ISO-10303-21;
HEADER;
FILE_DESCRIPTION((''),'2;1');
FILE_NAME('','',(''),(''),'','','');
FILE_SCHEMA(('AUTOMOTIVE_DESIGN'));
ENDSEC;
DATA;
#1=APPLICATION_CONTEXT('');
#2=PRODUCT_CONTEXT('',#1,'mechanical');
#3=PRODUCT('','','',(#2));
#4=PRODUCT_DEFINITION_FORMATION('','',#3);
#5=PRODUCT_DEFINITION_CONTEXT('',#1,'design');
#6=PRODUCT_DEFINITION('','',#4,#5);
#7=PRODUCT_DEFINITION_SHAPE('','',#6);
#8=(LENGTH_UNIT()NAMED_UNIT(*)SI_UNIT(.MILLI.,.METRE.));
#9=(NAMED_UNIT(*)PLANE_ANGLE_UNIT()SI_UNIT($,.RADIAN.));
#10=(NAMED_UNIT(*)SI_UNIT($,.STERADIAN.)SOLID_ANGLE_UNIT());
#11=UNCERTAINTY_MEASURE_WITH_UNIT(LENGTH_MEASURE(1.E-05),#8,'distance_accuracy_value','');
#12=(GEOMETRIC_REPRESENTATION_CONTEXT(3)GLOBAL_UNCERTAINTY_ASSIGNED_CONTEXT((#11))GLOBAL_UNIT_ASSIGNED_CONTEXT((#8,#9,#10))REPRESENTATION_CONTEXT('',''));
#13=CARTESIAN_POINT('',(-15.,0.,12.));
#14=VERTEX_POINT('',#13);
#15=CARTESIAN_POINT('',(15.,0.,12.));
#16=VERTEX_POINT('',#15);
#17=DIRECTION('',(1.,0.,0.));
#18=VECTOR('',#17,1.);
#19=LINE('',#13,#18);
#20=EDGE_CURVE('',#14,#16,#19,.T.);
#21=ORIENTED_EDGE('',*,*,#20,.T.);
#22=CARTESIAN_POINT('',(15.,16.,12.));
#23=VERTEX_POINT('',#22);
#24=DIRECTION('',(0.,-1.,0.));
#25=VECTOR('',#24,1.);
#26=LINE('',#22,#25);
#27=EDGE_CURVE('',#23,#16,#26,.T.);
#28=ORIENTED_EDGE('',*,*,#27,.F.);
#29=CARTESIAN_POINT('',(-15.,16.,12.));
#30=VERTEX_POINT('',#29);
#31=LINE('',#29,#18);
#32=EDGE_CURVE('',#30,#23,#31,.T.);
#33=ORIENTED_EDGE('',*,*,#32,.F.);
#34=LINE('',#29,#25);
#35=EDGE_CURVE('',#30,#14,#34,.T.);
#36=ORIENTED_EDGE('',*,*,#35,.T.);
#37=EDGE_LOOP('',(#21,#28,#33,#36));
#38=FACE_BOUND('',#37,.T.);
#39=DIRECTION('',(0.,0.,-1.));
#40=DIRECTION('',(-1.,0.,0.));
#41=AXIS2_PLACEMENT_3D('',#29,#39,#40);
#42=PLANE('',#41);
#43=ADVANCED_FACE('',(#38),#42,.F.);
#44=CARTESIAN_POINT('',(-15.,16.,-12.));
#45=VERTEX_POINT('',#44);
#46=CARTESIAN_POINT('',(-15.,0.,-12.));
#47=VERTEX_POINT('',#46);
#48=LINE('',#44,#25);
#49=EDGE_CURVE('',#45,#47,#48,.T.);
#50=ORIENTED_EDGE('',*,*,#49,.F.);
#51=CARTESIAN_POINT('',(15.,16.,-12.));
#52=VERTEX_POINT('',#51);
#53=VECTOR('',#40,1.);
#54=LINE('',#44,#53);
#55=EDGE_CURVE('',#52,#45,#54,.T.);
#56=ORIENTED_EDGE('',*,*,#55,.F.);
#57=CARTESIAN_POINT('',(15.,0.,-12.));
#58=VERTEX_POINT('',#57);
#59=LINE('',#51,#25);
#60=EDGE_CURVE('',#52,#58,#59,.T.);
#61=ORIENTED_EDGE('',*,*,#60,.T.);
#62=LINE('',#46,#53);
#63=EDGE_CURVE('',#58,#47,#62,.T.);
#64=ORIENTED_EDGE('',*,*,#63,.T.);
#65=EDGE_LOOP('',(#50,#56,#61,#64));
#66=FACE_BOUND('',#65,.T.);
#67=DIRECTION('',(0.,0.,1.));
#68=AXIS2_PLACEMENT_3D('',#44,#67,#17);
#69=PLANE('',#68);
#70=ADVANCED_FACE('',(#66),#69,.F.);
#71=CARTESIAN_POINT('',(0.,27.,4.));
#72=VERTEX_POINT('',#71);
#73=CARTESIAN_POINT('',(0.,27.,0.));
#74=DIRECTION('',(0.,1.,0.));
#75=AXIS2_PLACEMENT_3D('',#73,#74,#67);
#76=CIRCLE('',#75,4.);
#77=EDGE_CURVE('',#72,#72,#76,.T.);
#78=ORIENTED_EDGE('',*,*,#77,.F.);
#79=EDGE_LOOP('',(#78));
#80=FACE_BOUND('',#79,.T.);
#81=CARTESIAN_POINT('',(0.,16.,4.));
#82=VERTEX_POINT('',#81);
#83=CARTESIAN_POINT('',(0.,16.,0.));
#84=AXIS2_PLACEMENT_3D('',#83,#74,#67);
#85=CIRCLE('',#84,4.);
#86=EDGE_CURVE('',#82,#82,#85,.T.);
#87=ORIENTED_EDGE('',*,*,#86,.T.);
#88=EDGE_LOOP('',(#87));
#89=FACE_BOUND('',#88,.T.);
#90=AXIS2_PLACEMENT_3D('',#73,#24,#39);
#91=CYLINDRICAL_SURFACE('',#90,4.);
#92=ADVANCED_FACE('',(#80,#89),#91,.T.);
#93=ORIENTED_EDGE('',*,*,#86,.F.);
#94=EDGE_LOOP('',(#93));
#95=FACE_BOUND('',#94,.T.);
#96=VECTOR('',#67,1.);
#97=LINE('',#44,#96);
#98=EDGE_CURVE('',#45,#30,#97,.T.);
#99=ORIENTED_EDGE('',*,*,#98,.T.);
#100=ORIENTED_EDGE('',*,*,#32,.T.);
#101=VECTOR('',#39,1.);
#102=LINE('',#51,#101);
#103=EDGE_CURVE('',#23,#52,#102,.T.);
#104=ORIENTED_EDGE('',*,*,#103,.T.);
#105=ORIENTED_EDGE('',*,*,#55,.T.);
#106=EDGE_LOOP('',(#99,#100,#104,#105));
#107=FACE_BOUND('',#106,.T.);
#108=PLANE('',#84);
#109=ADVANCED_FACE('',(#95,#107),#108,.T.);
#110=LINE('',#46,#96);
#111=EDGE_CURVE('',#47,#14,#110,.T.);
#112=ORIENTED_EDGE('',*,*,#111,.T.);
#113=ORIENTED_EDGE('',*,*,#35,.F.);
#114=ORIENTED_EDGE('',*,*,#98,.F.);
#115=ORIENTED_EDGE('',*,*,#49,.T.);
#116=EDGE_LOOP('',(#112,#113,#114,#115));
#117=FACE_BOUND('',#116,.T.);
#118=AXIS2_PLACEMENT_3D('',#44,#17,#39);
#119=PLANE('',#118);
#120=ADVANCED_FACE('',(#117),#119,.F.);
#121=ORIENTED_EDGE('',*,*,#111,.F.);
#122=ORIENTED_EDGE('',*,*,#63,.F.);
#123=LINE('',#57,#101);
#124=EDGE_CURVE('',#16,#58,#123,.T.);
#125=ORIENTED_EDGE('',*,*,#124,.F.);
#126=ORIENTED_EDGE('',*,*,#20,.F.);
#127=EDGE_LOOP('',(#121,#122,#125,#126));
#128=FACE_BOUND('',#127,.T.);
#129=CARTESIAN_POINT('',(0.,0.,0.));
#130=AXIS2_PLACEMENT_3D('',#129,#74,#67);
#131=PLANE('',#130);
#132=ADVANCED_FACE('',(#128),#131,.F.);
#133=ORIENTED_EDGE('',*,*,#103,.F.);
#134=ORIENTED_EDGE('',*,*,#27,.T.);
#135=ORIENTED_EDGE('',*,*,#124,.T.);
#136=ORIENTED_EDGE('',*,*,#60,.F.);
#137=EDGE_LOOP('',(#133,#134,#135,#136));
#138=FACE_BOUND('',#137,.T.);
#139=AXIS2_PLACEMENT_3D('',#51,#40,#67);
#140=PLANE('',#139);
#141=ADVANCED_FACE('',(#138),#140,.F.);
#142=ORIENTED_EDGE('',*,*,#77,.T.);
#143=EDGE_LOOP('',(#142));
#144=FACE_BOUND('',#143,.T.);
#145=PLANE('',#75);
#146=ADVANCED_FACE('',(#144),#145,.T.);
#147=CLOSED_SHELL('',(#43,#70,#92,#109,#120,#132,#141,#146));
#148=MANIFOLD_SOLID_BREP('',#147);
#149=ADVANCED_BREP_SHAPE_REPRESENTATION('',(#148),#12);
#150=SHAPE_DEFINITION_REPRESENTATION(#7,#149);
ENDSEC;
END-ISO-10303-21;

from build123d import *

# Parameters (mm, degrees)
SKETCH_1_W      = 30
SKETCH_1_H      = 24
EXTRUDE_1_DEPTH = 16
SKETCH_2_R      = 4
EXTRUDE_2_DEPTH = 11


with BuildPart() as part:
    # 草图1 → 凸台-拉伸1 (new body)
    with BuildSketch(Plane(origin=(0, 0, 0), x_dir=(1, 0, 0), z_dir=(0, 1, 0))):
        Rectangle(SKETCH_1_W, SKETCH_1_H)
    extrude(amount=EXTRUDE_1_DEPTH)

    # 草图2 → 凸台-拉伸2 (add)
    with BuildSketch(Plane(origin=(0, 16, 0), x_dir=(1, 0, 0), z_dir=(0, 1, 0))):
        with Locations(Location((0, 0, 0), (0, 0, 270))):
            Circle(SKETCH_2_R)
    extrude(amount=EXTRUDE_2_DEPTH)


solid = part.part
